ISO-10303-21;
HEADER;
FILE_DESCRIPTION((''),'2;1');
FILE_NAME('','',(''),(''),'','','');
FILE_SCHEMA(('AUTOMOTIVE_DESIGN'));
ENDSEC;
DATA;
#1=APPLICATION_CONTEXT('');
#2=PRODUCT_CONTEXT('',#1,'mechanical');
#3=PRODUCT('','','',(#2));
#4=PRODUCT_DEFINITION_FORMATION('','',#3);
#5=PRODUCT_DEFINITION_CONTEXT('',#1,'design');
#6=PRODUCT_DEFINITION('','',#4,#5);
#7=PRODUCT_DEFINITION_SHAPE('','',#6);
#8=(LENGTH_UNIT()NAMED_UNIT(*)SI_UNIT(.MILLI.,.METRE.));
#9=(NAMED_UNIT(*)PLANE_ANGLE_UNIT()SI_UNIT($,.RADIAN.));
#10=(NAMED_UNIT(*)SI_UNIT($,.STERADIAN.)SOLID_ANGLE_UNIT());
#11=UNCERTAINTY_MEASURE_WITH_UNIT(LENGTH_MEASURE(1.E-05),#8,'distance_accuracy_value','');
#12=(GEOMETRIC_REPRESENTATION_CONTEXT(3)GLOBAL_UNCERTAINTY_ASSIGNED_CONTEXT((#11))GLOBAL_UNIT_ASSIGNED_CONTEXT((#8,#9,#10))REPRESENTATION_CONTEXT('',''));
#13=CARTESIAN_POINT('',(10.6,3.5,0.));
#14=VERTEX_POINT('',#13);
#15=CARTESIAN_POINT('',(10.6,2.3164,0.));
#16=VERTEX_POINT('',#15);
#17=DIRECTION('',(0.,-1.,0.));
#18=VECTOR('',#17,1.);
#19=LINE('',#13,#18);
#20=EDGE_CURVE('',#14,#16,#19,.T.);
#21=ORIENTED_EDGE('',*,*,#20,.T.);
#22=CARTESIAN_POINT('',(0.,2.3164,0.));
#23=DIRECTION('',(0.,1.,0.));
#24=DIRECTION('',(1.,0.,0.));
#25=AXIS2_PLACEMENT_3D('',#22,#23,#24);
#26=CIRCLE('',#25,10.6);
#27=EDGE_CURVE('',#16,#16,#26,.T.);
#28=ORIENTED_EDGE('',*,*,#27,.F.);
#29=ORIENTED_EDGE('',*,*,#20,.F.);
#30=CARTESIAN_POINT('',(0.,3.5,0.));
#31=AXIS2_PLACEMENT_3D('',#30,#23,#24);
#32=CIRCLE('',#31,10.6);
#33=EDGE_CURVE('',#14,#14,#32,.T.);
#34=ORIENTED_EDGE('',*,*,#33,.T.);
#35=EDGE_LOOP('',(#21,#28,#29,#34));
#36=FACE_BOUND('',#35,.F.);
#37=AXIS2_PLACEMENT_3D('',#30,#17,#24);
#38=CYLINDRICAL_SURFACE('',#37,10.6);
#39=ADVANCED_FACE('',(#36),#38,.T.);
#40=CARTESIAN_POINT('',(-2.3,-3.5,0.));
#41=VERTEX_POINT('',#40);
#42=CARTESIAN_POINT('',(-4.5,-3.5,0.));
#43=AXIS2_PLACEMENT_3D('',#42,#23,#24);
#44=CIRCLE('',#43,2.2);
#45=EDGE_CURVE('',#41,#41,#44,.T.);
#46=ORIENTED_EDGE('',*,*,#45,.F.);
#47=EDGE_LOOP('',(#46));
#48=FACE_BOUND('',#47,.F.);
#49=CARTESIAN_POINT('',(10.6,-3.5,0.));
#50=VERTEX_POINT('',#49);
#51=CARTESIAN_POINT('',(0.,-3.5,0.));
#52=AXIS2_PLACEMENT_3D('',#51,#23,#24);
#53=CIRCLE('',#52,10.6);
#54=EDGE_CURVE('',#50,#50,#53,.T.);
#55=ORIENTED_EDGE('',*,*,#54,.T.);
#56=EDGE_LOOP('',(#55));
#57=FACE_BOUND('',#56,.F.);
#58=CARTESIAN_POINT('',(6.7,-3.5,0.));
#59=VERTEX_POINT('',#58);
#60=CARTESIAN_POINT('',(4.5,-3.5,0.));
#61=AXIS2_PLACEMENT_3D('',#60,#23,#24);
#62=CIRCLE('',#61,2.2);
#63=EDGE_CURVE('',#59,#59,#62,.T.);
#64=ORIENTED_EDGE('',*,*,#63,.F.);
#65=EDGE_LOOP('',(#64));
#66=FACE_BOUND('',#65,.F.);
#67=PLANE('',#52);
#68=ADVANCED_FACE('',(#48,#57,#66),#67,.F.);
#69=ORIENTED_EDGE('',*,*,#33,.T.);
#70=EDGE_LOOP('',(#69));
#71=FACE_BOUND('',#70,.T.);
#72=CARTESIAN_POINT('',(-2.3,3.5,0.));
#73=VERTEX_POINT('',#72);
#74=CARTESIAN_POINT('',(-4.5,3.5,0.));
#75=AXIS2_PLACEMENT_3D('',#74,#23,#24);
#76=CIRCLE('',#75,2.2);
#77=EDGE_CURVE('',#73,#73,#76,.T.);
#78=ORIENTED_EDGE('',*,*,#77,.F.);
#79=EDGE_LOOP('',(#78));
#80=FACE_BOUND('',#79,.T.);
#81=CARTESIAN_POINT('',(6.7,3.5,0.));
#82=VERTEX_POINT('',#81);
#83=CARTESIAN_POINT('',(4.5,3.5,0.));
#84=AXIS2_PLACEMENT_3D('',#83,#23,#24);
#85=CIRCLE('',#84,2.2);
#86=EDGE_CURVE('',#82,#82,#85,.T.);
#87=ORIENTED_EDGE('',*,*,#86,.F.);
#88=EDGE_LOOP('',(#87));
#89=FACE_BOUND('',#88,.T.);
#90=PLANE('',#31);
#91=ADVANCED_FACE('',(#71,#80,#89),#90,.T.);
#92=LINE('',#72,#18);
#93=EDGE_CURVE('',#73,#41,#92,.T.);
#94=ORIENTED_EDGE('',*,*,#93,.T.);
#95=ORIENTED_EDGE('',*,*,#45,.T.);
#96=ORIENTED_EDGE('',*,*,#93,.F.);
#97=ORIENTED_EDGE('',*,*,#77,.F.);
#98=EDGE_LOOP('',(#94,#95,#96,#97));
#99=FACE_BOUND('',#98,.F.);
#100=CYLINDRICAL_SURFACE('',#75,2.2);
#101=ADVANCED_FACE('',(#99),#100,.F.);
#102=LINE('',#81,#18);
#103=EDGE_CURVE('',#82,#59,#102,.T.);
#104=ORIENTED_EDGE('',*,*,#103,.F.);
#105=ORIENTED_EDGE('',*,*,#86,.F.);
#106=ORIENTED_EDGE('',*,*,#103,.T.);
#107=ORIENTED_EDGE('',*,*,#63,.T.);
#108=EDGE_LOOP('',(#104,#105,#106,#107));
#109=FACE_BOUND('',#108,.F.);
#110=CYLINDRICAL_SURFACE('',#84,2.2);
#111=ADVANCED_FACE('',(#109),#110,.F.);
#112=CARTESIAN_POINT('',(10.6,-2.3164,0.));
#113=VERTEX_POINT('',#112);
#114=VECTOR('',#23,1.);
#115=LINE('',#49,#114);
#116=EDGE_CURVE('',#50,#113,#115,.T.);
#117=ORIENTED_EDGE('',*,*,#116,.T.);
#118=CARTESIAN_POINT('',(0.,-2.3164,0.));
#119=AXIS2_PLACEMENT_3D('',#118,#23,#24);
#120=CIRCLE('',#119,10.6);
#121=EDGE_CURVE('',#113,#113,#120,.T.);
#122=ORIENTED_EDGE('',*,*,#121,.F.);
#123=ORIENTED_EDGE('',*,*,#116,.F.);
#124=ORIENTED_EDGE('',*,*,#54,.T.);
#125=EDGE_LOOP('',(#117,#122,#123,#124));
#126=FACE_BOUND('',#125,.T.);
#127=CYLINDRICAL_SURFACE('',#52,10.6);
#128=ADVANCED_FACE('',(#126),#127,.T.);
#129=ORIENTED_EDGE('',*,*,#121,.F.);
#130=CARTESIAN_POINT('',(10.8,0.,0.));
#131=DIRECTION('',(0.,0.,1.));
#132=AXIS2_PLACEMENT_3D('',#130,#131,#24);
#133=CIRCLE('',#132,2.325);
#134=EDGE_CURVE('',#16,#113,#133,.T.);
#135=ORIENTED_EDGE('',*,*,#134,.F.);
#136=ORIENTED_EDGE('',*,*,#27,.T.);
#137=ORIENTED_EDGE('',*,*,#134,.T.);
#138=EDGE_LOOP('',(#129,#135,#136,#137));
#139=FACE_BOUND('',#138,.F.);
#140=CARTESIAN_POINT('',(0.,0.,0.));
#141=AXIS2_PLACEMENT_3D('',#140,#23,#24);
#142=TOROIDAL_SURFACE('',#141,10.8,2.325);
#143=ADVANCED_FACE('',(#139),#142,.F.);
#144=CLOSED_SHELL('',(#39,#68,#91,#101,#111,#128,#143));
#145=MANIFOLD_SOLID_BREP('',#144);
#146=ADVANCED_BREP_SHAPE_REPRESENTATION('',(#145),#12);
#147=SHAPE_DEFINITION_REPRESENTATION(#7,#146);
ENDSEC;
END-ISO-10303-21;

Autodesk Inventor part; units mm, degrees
ref_plane "YZ Plane" through (0, 0, 0) normal (1, 0, 0) x (0, 1, 0)
ref_plane "XZ Plane" through (0, 0, 0) normal (0, 1, 0) x (-1, 0, 0)
ref_plane "XY Plane" through (0, 0, 0) normal (0, 0, 1) x (1, 0, 0)
ref_plane "Work Plane1" through (0, 0, 0) normal (0, 0, 1) x (1, 0, 0)
sketch "Sketch1" plane through (0, 0, 0) normal (0, 0, 1) x (1, 0, 0)
  arc A0 (13.0719, -0.4942) -> (13.1202, -0.1498) centre (10.8, 0) ccw
  circle A1 centre (10.8, 0) radius 2.325
  line L0 (10.6, -3.5) -> (10.6, -2.3164)
  line L1 (10.6, -3.5) -> (0, -3.5)
  line L2 (0, -130.1465) -> (0, 181.4158)
  line L3 (10.8, 0) -> (0, 0) construction
  line L4 (10.6, 3.5) -> (10.6, 2.3164)
  line L5 (10.6, 3.5) -> (0, 3.5)
  point P0 (0, 3.5)
  dimension "d1" = 3.5
  dimension "d12" = 4.65
  dimension "d13" = 0.2
  dimension "d14" = 10.8
revolve "Revolution1" add sketch "Sketch1" angle 360 about axis through (0, -130.1465, 0) along (0, 1, 0) contours L0 L1 L2 L5 L4 A1
sketch "Sketch2" plane through (0, 3.5, 0) normal (0, 1, 0) x (1, 0, 0)
  circle A0 centre (4.5, 0) radius 2.2
  circle A1 centre (0, 0) radius 10.6 projected
  circle A2 centre (0, 0) radius 10.6 projected
  circle A3 centre (0, 0) radius 10.6 projected
  circle A4 centre (0, 0) radius 8.35
  circle A5 centre (0, 4.5) radius 2.2
  circle A6 centre (-4.5, 0) radius 2.2
  circle A7 centre (0, -4.5) radius 2.2
  point P0 (0, 0)
  dimension "d3" = 4.4
  dimension "d4" = 2.25
  dimension "d5" = 4.5
  dimension "d8" = 360
extrude "Extrusion1" cut sketch "Sketch2" against normal through all contours A0 | A6
properties part number "Venstre_rotator"
